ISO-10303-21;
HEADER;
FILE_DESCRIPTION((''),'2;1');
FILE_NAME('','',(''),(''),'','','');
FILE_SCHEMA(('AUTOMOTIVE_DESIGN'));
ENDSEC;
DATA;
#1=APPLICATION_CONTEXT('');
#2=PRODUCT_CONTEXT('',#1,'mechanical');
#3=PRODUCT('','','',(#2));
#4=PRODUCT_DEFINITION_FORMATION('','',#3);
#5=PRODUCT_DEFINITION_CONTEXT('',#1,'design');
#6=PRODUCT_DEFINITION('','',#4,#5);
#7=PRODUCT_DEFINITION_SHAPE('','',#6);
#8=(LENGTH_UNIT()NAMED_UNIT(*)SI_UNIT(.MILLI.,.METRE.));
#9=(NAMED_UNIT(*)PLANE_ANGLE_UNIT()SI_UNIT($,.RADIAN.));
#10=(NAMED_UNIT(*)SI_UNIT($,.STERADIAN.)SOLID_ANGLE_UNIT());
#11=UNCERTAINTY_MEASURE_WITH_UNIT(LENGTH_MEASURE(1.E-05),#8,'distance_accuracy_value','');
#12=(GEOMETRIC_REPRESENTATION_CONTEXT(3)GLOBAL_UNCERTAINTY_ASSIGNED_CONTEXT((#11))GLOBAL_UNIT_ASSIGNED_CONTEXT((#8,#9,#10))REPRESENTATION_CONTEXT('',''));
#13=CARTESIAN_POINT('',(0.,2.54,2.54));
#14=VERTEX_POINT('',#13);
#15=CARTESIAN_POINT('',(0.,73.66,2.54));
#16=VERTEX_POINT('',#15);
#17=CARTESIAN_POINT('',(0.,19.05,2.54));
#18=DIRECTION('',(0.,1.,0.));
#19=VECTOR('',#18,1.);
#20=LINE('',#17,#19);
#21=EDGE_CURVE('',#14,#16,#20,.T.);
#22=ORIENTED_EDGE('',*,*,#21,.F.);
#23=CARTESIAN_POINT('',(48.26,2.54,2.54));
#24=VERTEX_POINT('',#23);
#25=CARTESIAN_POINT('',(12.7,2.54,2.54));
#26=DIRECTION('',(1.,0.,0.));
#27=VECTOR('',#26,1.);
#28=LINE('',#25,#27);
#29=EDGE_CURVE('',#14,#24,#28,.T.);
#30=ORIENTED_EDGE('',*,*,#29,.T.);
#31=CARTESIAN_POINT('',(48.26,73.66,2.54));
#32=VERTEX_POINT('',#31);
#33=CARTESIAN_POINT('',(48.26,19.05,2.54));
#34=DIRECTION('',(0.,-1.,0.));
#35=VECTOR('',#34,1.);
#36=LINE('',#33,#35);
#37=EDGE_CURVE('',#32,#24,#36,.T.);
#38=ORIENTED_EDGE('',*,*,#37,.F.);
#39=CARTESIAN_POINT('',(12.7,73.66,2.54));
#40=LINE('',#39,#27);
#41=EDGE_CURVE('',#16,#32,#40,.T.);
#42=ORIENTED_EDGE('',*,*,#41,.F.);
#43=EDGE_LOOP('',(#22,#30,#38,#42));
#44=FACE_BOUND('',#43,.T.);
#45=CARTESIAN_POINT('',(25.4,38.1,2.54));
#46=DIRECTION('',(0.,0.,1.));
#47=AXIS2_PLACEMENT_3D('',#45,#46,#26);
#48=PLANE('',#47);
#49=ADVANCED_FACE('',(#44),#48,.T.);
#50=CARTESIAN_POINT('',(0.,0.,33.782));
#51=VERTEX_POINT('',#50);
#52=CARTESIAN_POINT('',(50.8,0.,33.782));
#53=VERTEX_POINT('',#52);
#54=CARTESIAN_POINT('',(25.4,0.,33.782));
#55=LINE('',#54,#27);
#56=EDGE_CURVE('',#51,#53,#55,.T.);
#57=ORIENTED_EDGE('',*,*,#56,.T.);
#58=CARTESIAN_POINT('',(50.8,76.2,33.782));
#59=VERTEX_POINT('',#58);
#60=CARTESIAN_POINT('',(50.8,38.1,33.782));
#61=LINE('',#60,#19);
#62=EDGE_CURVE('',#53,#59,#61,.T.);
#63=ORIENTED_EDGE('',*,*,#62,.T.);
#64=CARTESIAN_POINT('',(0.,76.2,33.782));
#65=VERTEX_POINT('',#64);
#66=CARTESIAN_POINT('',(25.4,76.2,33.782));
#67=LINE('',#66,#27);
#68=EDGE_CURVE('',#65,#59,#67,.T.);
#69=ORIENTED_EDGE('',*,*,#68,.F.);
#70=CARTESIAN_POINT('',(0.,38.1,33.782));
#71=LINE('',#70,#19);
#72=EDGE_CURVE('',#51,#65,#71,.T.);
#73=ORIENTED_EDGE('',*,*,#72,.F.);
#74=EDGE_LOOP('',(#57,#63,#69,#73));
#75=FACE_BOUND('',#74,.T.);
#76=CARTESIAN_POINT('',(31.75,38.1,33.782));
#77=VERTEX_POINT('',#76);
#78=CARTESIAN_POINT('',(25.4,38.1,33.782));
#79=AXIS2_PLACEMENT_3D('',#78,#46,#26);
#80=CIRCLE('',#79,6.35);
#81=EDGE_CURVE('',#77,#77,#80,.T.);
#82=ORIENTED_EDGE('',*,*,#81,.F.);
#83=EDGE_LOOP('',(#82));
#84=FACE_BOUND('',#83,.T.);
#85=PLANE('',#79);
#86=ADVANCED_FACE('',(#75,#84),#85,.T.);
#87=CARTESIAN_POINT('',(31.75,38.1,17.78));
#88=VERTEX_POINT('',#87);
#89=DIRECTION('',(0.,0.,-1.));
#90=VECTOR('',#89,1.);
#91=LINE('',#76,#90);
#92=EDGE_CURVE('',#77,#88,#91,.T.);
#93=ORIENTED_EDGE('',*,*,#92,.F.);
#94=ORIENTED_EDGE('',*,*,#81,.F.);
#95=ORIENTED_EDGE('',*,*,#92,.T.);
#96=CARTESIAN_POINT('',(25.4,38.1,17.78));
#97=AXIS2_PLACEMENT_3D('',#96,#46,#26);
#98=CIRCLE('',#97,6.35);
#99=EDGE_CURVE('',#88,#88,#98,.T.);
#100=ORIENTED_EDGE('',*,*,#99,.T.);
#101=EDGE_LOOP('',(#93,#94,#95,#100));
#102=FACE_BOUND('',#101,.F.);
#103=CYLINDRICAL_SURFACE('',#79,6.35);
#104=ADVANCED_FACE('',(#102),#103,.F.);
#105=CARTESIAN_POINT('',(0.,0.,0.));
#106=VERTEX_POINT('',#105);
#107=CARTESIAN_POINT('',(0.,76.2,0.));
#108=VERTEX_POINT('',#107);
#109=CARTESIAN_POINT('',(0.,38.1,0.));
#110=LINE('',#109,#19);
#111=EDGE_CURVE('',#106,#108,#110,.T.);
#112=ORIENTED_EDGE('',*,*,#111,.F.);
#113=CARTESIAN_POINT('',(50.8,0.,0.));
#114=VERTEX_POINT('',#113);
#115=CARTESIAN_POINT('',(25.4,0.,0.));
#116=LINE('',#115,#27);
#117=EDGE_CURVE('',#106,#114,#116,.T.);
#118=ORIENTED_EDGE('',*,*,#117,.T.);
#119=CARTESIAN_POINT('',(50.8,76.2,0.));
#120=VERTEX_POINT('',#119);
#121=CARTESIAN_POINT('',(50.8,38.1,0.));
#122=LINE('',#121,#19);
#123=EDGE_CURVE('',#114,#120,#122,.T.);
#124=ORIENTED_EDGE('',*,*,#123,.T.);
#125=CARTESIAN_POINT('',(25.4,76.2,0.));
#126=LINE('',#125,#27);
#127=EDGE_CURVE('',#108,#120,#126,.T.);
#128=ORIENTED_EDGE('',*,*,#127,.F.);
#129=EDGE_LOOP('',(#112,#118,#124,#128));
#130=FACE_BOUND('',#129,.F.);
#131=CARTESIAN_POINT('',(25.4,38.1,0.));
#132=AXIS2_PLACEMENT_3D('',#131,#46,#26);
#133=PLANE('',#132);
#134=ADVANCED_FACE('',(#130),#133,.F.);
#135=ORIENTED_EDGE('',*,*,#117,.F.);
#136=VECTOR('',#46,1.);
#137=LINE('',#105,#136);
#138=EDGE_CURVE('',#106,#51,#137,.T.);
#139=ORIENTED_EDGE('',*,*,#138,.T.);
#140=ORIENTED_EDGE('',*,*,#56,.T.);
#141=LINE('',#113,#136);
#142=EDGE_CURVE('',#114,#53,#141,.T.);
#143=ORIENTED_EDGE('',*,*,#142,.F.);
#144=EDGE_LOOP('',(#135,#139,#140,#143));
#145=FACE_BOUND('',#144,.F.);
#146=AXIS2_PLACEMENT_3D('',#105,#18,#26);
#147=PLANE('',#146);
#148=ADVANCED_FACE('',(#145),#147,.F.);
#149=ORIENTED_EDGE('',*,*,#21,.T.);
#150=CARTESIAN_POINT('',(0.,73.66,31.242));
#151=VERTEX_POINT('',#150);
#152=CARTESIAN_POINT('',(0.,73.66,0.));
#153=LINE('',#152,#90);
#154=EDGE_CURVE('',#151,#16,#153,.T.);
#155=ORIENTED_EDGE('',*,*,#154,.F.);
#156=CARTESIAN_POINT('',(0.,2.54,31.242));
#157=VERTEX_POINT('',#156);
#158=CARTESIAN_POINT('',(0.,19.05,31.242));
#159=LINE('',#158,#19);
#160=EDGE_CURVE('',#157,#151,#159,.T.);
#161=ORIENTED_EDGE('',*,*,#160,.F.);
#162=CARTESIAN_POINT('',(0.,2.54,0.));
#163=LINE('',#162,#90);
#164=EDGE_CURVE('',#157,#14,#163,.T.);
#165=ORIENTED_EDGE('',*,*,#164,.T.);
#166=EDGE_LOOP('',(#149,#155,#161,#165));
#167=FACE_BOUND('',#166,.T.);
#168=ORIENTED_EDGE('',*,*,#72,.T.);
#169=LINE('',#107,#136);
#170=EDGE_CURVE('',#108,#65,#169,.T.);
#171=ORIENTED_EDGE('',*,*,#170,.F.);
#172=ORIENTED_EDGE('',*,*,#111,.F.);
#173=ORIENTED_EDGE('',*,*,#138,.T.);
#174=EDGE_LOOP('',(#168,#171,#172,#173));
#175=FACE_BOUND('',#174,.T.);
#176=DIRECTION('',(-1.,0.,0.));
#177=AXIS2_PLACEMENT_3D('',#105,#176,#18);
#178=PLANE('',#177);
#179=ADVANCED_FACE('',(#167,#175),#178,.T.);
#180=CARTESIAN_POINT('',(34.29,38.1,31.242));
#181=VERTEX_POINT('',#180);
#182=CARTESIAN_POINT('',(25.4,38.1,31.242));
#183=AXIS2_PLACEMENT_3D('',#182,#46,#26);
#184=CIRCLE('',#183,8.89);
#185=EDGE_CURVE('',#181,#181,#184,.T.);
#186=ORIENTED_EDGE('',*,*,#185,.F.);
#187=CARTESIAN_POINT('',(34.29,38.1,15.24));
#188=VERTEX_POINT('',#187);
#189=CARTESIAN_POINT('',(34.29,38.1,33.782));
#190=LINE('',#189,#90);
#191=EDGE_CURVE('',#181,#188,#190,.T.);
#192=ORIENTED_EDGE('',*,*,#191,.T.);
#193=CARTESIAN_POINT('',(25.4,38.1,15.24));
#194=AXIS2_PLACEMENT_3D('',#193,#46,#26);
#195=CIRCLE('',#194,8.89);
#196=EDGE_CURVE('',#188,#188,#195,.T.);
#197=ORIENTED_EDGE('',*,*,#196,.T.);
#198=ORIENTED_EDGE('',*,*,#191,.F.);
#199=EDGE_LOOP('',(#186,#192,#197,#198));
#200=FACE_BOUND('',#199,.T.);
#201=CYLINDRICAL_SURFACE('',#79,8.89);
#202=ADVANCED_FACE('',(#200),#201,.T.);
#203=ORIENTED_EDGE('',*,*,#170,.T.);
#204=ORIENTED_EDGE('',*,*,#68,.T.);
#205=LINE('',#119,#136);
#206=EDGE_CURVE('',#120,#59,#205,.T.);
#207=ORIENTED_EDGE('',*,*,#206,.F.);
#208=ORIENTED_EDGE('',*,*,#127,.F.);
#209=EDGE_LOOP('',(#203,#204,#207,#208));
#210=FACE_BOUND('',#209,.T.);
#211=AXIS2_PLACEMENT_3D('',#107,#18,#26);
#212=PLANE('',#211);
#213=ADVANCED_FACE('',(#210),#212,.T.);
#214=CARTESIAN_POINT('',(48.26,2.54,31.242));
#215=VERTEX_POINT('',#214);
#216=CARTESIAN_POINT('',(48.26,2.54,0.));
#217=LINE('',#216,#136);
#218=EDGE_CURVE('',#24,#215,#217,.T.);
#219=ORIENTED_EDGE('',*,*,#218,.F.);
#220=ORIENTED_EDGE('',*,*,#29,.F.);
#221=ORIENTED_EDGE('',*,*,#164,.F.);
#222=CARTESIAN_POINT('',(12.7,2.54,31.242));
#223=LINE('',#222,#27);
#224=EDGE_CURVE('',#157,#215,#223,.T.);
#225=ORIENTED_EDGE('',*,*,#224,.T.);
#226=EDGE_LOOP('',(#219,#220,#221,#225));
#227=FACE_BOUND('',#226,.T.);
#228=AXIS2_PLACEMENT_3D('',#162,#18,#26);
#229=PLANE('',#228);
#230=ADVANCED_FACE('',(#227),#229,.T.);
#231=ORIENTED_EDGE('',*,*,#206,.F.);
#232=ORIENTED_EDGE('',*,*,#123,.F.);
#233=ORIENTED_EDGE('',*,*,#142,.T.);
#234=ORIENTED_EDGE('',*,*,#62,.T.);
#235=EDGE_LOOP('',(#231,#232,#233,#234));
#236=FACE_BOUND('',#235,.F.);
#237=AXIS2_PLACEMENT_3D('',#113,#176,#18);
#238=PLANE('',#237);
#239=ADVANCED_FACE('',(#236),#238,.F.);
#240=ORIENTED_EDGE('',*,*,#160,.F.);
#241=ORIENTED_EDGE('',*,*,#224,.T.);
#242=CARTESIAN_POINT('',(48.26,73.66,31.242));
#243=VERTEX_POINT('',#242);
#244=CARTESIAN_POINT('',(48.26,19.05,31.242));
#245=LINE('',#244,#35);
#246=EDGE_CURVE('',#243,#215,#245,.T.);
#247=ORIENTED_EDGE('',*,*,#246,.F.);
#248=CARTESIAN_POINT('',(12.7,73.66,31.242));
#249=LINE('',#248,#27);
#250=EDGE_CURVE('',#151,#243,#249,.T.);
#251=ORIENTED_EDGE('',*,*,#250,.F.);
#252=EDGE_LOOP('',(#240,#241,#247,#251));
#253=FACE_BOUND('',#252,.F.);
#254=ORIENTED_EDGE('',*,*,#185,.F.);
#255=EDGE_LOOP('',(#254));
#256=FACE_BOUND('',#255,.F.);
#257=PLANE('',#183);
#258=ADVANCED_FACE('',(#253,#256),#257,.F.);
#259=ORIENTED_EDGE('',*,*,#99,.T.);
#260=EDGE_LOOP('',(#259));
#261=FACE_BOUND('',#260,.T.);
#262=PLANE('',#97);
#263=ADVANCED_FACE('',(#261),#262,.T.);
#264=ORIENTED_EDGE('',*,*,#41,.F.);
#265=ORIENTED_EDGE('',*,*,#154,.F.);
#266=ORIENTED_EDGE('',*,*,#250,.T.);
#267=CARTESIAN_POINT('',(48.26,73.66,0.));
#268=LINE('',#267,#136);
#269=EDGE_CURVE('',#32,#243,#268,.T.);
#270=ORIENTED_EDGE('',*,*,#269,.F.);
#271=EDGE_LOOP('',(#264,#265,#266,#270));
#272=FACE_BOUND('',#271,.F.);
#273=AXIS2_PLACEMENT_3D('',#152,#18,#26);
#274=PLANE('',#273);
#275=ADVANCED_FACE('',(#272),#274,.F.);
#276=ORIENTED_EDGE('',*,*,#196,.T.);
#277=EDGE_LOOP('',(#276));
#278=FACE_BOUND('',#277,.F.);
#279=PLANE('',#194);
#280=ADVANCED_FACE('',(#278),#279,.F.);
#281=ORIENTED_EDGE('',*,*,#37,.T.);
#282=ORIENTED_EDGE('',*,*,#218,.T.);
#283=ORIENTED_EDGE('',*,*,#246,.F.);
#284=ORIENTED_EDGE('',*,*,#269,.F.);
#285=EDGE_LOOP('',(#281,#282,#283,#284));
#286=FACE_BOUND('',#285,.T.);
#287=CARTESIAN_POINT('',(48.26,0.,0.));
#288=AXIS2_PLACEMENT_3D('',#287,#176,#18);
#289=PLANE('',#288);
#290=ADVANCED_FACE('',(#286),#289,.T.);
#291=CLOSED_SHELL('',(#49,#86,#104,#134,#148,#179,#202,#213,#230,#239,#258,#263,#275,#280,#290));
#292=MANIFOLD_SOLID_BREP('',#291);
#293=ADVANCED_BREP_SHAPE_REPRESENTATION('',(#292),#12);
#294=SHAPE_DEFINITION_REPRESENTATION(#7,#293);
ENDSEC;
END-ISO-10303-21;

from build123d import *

# Parameters (mm, degrees)
F0_W     = 50.8
F0_H     = 76.2
F1_DEPTH = 33.782
F2_R     = 6.35
F3_DEPTH = 16.002
F4_T     = -2.54


with BuildPart() as f1:
    # F0 (on Top) → F1 (new body)
    with BuildSketch(Plane.XY):
        with Locations((25.4, 38.1)):
            Rectangle(F0_W, F0_H)
    extrude(amount=F1_DEPTH)

    # F2 (on face) → F3 (cut)
    with BuildSketch(Plane.XY.offset(33.782)):
        with Locations((25.4, 38.1)):
            Circle(F2_R)
    extrude(amount=-F3_DEPTH, mode=Mode.SUBTRACT)

    # F4
    f4_openings = [f1.faces().sort_by_distance(p)[0] for p in [
        (0, 38.1, 16.891),
    ]]
    offset(amount=F4_T, openings=f4_openings, kind=Kind.INTERSECTION)


solid = f1.part
